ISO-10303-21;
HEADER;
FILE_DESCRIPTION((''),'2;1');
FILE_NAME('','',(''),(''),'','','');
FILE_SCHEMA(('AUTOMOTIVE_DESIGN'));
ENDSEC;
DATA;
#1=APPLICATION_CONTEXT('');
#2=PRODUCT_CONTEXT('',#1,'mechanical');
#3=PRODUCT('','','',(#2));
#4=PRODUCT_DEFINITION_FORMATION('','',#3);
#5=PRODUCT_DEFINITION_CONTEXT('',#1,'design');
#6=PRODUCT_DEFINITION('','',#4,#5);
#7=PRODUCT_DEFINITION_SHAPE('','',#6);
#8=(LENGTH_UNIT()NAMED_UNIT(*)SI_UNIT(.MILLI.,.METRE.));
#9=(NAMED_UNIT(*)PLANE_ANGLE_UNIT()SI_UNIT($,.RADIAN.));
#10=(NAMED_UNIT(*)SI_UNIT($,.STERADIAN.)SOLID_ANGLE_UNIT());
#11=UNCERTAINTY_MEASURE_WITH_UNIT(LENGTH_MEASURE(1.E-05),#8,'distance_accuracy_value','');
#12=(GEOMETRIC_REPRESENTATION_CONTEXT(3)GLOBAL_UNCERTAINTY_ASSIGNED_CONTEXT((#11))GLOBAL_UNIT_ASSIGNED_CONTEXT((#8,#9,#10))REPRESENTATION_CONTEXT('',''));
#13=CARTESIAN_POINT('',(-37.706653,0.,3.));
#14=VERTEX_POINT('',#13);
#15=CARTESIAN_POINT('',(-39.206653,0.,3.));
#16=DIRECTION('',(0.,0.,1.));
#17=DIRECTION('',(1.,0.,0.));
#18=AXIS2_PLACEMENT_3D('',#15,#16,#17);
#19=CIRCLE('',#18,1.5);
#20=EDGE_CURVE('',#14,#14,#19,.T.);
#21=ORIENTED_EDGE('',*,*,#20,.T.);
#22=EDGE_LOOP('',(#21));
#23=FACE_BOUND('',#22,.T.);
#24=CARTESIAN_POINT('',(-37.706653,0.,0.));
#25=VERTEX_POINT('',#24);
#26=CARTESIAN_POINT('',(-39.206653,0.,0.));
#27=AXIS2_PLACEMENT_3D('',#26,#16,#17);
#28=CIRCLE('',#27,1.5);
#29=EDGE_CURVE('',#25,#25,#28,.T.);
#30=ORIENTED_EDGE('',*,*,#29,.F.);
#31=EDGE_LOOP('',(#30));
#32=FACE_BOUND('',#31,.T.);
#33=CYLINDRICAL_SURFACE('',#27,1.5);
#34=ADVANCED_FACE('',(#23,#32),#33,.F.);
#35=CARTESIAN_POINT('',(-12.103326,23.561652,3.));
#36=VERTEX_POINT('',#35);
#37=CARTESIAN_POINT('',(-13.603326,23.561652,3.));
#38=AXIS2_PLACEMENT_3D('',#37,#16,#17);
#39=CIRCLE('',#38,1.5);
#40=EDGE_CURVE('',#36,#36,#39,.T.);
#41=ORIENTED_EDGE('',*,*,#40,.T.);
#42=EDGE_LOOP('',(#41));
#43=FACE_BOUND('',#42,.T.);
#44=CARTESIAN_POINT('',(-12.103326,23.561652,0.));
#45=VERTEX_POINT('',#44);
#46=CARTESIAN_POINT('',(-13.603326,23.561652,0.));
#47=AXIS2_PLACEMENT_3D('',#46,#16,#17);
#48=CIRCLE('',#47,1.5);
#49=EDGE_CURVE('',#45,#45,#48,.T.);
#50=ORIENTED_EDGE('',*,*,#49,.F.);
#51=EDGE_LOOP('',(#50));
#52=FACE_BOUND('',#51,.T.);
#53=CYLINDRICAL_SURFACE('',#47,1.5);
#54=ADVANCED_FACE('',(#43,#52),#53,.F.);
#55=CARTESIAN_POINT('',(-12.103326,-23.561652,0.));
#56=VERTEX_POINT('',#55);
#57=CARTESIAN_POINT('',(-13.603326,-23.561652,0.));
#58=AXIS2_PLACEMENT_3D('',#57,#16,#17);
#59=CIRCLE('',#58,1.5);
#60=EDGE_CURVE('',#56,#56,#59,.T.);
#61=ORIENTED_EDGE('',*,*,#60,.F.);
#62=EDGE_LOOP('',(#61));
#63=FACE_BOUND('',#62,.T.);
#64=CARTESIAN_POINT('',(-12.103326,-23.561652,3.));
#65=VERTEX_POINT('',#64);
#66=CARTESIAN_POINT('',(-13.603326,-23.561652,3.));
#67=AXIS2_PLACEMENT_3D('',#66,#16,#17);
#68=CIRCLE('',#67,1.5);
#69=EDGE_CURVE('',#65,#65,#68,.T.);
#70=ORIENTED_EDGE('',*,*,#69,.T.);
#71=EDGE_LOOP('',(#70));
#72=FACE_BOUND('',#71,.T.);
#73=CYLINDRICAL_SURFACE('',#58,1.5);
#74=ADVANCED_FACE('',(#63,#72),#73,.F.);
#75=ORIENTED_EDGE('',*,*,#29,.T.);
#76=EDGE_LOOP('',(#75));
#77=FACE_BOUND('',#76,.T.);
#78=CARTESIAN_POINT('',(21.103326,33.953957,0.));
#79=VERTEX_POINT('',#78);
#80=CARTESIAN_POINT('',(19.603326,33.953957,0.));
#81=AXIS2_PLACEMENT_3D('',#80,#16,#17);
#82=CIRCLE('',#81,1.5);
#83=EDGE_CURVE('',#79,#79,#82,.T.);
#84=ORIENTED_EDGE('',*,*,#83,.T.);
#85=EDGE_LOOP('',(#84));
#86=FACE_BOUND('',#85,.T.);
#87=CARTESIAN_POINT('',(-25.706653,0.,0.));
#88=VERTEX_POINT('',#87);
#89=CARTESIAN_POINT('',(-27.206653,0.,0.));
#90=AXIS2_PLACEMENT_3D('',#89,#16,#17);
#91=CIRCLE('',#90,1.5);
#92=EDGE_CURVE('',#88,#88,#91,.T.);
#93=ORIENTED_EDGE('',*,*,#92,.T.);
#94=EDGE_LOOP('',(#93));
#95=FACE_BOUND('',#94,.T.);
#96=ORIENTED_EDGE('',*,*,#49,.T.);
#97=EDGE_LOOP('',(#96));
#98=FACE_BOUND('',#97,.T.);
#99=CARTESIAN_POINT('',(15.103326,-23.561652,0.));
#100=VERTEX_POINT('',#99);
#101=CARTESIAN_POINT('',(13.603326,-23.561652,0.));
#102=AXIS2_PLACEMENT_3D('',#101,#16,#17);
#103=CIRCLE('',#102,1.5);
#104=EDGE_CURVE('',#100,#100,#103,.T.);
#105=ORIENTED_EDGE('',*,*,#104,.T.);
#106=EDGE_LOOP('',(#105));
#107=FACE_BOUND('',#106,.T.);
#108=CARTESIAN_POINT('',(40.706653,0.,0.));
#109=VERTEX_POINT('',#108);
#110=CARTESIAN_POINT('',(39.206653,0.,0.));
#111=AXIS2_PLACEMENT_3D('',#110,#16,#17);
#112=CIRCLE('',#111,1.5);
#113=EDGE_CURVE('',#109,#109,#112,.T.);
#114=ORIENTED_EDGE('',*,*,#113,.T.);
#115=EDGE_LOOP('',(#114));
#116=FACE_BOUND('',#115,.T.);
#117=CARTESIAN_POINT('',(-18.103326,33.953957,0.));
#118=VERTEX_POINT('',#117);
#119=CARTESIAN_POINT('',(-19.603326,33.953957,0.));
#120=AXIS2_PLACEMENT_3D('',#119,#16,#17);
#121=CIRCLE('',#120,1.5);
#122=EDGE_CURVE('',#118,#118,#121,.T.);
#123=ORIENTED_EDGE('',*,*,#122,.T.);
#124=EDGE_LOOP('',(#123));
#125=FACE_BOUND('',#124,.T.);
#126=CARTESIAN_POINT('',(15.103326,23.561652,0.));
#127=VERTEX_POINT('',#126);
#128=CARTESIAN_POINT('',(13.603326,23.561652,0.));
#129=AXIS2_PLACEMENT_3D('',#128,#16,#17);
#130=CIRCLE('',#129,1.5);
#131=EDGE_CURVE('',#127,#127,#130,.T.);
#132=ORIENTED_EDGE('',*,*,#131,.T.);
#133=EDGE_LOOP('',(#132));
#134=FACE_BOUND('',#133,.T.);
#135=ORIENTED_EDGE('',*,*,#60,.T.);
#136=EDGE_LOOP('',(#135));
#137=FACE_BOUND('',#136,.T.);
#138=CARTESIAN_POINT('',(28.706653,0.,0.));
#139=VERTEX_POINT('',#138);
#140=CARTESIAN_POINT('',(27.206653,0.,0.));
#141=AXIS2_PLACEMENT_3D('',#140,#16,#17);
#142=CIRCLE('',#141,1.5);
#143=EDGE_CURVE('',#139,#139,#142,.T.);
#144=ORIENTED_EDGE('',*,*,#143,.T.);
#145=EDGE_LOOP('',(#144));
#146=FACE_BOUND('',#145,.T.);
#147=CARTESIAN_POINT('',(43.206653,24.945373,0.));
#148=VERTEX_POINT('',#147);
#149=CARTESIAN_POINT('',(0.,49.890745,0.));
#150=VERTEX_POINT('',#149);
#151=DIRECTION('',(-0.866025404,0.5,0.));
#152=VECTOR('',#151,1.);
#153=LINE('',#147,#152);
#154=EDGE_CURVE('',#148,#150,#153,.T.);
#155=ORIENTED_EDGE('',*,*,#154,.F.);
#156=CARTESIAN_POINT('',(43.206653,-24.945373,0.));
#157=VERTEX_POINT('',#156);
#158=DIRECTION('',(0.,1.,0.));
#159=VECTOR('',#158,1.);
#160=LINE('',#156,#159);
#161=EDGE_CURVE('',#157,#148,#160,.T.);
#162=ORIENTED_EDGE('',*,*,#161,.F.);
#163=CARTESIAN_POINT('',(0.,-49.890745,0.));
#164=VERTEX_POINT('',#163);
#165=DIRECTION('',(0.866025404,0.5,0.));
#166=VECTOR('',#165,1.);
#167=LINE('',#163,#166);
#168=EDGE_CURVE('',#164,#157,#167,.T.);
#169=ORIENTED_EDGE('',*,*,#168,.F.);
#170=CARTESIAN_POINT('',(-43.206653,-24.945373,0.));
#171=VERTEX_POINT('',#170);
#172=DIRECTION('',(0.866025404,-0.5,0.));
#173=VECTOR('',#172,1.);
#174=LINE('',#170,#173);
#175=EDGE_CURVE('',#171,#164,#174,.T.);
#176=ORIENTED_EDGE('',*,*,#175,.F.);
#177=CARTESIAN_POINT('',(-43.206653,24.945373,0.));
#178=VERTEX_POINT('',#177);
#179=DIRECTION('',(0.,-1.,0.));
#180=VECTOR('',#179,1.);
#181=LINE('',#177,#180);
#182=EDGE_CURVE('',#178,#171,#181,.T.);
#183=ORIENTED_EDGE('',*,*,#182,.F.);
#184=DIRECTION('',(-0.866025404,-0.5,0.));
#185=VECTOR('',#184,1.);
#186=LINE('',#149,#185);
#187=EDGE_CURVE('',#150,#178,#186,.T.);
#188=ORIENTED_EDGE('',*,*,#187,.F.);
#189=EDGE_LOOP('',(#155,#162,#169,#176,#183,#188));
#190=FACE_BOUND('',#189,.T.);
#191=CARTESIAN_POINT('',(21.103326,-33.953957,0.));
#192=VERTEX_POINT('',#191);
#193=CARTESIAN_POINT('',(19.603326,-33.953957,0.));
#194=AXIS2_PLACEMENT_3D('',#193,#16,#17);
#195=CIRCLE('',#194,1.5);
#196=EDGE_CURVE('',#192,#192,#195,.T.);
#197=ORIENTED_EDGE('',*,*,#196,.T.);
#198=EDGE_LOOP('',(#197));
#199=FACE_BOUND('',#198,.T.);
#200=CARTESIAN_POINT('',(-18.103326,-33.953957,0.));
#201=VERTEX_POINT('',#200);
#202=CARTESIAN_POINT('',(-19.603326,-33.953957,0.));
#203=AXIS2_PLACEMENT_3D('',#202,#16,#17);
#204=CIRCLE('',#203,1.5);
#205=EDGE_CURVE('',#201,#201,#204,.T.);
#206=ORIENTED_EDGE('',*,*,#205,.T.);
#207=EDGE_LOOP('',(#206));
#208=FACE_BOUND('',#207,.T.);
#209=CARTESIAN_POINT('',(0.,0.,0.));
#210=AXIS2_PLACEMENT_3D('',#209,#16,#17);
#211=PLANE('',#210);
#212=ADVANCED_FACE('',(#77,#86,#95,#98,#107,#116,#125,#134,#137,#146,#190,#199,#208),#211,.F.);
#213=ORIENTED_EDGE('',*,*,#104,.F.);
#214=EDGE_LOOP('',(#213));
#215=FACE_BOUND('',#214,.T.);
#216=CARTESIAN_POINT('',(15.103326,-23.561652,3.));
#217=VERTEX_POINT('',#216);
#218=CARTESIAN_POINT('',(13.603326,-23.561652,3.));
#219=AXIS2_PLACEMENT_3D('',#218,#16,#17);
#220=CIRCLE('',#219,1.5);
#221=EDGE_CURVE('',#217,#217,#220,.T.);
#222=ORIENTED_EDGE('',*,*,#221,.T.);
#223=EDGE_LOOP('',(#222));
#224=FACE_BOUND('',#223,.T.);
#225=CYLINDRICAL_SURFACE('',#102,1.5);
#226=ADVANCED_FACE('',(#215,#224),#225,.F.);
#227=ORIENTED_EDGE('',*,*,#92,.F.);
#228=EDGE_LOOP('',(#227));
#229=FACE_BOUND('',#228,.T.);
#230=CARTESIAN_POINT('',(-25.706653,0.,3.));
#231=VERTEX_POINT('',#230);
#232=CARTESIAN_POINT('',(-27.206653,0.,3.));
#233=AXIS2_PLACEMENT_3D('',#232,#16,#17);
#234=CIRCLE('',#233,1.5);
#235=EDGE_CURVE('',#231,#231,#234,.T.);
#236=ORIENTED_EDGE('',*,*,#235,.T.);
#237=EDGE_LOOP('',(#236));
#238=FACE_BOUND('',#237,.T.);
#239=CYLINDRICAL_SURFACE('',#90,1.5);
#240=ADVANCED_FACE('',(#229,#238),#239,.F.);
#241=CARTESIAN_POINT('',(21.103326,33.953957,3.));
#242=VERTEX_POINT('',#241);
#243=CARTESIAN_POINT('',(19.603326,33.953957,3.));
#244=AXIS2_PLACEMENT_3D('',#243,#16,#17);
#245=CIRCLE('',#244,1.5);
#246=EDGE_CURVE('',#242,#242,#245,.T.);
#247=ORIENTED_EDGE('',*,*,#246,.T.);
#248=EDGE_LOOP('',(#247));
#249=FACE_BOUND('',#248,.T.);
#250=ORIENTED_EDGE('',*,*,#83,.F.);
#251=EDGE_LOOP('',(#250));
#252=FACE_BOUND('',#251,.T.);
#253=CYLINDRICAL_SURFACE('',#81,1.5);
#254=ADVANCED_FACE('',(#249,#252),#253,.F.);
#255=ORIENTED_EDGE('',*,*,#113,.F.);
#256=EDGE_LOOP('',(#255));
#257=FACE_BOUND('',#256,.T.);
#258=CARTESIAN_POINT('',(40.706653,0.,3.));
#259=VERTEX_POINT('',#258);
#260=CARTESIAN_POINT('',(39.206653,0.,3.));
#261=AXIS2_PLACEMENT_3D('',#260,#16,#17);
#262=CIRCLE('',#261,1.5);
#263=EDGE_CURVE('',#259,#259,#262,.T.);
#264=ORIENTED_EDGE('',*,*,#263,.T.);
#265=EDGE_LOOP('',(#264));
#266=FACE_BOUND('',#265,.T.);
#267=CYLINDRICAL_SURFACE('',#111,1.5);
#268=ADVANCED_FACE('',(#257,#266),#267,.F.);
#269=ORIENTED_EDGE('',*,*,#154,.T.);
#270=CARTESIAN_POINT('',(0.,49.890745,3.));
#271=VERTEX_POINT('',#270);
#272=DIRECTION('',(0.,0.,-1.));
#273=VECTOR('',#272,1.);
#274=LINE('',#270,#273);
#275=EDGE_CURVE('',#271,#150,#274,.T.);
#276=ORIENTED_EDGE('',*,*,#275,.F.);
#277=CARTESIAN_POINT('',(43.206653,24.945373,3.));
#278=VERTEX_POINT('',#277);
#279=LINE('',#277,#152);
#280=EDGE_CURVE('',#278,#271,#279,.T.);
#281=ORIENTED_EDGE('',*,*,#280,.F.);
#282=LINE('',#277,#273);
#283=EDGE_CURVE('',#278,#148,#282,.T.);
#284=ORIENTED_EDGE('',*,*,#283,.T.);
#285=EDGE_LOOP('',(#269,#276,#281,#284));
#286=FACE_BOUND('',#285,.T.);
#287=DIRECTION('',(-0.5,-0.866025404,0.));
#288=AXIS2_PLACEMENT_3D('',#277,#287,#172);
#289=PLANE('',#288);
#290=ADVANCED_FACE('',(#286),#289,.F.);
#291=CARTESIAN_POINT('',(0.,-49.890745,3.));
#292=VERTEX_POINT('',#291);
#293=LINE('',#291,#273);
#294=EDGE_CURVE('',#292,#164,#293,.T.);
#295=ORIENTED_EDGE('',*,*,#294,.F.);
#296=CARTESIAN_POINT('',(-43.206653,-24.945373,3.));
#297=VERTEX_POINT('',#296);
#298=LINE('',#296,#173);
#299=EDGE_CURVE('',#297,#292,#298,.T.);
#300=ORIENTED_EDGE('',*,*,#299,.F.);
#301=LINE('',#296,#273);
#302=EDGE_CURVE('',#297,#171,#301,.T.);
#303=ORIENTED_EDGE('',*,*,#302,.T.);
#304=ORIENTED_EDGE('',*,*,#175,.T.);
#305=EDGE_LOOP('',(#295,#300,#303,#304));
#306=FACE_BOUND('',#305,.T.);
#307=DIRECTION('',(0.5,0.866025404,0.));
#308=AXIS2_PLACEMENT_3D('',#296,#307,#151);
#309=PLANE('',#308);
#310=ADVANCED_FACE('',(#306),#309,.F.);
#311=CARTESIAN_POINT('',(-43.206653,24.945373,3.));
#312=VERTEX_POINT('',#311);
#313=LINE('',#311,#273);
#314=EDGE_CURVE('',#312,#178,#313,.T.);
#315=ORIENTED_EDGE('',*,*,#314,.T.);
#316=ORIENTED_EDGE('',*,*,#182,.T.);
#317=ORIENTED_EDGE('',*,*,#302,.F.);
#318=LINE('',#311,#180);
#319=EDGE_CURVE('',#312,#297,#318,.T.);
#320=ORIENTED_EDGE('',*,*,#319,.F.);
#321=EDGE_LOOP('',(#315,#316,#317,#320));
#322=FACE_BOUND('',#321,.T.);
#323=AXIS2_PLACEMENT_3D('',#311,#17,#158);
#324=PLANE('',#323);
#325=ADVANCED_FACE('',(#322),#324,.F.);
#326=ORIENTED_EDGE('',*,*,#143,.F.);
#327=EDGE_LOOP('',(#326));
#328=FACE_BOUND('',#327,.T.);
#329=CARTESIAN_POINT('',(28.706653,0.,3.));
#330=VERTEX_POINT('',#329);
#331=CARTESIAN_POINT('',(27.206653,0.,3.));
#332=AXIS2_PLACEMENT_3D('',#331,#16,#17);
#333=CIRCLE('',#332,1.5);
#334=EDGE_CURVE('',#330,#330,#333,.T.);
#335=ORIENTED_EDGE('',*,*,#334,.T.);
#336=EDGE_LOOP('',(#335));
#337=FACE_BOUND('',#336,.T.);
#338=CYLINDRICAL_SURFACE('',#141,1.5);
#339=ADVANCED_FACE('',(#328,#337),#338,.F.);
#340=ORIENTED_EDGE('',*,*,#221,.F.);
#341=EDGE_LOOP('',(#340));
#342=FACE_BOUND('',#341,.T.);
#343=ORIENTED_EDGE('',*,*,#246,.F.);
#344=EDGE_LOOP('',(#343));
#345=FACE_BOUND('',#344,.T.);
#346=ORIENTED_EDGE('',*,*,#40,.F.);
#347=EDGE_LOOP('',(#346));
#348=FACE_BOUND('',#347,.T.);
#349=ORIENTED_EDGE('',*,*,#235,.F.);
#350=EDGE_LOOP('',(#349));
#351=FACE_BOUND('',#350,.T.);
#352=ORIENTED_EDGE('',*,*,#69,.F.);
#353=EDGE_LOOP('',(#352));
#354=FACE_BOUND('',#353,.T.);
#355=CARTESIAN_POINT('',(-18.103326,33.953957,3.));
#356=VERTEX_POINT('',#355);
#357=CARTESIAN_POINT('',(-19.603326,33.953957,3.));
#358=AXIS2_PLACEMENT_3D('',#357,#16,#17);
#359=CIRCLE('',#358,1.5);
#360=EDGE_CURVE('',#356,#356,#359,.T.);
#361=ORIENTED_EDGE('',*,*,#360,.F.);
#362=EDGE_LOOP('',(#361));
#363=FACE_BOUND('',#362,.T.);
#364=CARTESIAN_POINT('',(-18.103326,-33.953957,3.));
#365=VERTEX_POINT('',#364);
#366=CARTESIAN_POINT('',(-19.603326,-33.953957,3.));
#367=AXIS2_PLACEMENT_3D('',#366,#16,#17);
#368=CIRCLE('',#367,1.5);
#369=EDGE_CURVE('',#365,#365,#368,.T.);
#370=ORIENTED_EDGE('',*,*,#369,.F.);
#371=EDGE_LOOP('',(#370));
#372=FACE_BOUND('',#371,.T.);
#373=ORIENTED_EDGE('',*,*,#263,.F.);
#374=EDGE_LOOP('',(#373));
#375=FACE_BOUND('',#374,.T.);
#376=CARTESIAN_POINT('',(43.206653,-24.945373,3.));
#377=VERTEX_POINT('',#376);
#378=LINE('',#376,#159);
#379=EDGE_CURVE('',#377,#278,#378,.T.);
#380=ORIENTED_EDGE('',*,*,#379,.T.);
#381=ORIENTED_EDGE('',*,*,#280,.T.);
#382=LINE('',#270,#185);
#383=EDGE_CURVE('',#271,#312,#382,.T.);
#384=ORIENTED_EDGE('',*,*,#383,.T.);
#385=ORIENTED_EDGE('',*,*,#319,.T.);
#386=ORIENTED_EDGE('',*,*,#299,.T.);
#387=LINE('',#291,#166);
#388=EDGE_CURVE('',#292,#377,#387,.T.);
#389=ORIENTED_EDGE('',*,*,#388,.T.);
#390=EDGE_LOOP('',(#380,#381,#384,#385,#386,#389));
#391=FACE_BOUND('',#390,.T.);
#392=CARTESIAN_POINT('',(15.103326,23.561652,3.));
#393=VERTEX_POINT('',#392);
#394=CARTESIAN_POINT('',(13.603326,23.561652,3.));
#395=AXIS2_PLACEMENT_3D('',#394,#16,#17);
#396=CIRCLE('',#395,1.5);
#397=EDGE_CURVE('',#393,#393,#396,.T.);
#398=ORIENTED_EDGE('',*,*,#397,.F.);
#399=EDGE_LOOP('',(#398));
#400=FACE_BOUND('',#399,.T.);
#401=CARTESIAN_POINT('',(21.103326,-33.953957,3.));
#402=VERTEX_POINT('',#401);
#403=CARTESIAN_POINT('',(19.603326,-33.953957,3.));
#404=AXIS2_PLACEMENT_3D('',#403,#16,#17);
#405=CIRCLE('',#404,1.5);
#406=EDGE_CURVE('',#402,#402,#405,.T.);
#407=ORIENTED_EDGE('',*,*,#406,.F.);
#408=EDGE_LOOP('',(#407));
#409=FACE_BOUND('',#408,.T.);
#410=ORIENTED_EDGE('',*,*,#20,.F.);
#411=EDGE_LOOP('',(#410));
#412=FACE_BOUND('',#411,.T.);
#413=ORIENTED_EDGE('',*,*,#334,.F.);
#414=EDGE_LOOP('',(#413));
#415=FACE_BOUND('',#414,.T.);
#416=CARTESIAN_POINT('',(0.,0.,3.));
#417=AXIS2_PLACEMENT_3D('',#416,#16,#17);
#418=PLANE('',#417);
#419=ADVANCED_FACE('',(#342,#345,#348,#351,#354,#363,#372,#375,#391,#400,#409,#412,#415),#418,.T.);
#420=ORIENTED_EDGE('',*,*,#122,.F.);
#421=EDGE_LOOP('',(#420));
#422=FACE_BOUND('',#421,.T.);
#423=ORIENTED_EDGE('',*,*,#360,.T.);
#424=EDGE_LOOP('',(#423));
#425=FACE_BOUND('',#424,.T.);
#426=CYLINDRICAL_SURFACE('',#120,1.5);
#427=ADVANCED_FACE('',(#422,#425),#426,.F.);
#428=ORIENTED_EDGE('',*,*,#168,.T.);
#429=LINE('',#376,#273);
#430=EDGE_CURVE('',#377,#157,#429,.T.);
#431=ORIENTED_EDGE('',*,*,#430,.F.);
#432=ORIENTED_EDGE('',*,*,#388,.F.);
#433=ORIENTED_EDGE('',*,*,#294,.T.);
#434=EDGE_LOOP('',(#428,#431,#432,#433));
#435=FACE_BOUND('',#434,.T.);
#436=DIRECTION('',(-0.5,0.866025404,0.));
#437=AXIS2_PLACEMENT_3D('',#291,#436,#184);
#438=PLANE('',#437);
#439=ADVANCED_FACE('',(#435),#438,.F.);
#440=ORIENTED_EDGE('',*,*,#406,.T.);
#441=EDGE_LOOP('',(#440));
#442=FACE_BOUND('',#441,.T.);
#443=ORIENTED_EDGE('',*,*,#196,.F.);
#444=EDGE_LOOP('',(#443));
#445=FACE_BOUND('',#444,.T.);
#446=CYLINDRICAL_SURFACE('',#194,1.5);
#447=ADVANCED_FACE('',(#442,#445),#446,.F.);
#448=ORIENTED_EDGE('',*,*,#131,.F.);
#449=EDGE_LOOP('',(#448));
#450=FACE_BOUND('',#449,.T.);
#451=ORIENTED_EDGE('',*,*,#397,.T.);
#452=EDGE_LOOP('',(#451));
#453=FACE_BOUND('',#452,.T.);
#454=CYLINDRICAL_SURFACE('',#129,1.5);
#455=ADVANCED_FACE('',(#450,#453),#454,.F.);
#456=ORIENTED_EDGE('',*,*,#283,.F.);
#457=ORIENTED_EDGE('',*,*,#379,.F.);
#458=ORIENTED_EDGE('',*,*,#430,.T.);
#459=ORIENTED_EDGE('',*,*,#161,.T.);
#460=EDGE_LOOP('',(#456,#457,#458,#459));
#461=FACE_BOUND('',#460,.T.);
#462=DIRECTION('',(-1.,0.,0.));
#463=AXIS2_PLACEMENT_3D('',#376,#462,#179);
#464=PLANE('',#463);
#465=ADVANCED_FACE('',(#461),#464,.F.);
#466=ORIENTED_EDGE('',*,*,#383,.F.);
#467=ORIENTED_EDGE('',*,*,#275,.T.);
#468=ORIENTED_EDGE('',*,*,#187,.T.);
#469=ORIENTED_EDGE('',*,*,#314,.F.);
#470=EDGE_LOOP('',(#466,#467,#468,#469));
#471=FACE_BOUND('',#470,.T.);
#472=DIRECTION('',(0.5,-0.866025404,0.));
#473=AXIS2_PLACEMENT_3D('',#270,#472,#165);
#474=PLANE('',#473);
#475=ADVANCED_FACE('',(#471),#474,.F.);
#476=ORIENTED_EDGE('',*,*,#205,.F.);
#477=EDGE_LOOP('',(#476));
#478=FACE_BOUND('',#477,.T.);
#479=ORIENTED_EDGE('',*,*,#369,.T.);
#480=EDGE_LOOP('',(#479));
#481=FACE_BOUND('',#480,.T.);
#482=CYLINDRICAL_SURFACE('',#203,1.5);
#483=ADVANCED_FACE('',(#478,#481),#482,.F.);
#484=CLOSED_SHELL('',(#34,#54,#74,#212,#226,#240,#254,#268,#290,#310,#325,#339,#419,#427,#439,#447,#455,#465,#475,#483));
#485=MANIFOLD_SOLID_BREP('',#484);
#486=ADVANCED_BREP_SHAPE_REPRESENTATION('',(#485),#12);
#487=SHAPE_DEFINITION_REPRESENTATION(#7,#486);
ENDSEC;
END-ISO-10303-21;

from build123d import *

# Parameters (mm, degrees)
BOSS_EXTRUDE1_DEPTH = 3
SKETCH2_R           = 1.5
CUT_EXTRUDE1_DEPTH  = 3


with BuildPart() as part:
    # Sketch1 → Boss-Extrude1 (new body)
    with BuildSketch(Plane.XY):
        Polygon((0, -49.890745052), (43.206652629, -24.945372526), (43.206652629, 24.945372526), (0, 49.890745052), (-43.206652629, 24.945372526), (-43.206652629, -24.945372526), align=None)
    extrude(amount=BOSS_EXTRUDE1_DEPTH)

    # Sketch2 → Cut-Extrude1 (cut)
    with BuildSketch(Plane.XY.offset(3)):
        with Locations((27.206652629, 0)):
            Circle(SKETCH2_R)
        with Locations((39.206652629, 0)):
            Circle(SKETCH2_R)
        with Locations((13.603326315, -23.561652329)):
            Circle(SKETCH2_R)
        with Locations((19.603326315, -33.953957174)):
            Circle(SKETCH2_R)
        with Locations((-13.603326315, -23.561652329)):
            Circle(SKETCH2_R)
        with Locations((-19.603326315, -33.953957174)):
            Circle(SKETCH2_R)
        with Locations((-27.206652629, 0)):
            Circle(SKETCH2_R)
        with Locations((-39.206652629, 0)):
            Circle(SKETCH2_R)
        with Locations((-13.603326315, 23.561652329)):
            Circle(SKETCH2_R)
        with Locations((-19.603326315, 33.953957174)):
            Circle(SKETCH2_R)
        with Locations((13.603326315, 23.561652329)):
            Circle(SKETCH2_R)
        with Locations((19.603326315, 33.953957174)):
            Circle(SKETCH2_R)
    extrude(amount=-CUT_EXTRUDE1_DEPTH, mode=Mode.SUBTRACT)


solid = part.part
